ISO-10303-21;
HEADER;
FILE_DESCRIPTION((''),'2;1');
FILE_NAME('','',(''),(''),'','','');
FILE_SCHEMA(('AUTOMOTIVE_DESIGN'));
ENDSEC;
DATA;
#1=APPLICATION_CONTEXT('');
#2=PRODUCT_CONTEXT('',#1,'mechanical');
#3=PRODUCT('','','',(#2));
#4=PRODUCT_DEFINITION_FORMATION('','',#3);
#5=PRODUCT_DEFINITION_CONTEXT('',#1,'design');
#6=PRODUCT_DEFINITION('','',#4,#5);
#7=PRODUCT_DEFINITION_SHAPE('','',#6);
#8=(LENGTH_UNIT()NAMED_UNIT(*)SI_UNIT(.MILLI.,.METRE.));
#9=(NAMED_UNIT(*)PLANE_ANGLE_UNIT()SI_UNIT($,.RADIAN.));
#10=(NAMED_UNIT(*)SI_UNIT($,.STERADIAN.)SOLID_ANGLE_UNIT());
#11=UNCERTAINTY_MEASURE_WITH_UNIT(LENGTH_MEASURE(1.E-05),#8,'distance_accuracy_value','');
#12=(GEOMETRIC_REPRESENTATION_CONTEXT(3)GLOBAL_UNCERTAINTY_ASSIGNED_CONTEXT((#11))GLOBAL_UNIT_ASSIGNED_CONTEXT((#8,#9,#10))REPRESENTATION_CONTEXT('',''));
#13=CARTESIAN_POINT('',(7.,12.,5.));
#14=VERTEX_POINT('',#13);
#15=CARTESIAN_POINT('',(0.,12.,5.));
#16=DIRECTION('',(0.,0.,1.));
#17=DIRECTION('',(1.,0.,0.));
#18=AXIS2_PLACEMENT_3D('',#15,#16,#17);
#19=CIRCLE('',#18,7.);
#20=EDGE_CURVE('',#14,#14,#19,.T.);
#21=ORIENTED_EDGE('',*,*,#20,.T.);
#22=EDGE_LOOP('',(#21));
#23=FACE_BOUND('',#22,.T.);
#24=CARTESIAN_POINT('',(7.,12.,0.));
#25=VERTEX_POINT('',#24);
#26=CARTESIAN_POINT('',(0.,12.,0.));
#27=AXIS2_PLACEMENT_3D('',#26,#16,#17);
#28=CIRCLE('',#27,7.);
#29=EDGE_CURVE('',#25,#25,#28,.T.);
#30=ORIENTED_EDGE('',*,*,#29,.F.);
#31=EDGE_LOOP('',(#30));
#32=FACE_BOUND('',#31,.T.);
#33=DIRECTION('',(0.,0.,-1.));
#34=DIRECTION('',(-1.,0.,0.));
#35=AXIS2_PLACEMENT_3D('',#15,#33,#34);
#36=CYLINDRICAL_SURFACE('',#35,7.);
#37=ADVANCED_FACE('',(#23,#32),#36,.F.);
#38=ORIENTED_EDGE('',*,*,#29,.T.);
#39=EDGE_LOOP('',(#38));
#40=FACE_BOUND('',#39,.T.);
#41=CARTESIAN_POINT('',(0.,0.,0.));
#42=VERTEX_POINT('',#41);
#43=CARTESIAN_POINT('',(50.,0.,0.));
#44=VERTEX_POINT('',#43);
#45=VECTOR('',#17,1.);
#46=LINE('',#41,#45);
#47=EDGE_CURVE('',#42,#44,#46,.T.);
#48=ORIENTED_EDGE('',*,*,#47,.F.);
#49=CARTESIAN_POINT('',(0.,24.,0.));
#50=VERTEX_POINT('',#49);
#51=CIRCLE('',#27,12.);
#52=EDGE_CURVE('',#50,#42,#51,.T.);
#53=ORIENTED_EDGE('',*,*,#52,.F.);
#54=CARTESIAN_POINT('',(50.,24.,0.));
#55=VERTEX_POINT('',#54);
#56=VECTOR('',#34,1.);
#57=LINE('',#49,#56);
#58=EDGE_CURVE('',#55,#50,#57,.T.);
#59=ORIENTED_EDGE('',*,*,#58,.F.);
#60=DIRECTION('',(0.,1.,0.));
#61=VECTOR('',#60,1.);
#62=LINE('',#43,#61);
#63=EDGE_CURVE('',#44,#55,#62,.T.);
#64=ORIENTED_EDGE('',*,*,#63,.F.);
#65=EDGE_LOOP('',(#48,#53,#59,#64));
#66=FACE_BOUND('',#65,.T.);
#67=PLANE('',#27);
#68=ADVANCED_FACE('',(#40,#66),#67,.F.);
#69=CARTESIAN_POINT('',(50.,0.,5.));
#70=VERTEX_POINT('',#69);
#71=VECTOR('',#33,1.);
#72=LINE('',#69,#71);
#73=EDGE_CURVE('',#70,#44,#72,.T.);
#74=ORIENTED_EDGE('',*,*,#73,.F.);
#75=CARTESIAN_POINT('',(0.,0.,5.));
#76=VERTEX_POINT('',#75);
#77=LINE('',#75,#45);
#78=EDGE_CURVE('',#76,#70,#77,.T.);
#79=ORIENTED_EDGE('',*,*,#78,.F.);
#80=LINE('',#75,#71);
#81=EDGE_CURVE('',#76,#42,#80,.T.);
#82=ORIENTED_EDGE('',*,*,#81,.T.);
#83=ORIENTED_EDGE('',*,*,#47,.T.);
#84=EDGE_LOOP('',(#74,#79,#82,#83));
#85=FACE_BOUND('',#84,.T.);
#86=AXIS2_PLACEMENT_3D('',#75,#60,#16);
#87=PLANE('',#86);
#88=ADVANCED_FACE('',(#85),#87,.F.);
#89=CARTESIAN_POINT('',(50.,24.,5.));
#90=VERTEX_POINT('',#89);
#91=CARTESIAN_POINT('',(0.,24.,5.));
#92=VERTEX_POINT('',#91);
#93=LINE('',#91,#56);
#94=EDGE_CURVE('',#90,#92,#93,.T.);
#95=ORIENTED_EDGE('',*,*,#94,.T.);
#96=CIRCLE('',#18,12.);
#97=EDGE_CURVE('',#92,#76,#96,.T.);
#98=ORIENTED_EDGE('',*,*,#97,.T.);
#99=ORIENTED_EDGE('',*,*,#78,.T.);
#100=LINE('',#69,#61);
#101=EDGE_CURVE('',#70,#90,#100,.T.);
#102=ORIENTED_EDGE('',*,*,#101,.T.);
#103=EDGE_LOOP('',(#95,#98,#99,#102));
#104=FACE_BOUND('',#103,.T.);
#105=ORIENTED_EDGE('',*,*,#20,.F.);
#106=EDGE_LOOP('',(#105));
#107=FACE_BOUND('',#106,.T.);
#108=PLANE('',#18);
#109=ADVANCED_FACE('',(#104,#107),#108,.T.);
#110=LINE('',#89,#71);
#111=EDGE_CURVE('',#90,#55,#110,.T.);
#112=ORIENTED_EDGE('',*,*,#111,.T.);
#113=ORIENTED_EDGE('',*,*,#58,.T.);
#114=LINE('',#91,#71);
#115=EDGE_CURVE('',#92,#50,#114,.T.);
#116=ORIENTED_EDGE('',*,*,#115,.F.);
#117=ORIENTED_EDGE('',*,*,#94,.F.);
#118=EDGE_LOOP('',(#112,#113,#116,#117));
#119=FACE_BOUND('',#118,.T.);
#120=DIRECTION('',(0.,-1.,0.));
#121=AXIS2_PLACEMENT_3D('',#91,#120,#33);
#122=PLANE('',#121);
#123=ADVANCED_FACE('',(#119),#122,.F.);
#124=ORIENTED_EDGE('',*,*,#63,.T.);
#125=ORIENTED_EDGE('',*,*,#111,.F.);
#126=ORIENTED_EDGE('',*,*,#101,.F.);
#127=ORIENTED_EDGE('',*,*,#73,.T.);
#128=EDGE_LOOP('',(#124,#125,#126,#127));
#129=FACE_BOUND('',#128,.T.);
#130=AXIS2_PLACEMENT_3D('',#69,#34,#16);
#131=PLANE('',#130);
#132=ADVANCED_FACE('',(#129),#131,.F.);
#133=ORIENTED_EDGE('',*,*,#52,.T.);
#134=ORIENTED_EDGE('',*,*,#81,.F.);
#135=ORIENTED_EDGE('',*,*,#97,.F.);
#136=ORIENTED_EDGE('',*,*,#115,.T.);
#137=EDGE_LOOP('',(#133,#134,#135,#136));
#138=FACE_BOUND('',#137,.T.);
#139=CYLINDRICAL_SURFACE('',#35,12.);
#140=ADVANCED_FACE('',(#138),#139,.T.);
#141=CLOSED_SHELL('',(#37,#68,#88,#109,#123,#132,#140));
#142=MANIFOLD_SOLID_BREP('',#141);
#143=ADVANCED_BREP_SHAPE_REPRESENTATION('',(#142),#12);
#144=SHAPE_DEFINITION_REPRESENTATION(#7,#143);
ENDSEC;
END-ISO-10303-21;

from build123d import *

# Parameters (mm, degrees)
SZKIC1_R                    = 7
DODANIE_WYCI_GNI_CIE1_DEPTH = 5


with BuildPart() as part:
    # Szkic1 → Dodanie-wyciągnięcie1 (new body)
    with BuildSketch(Plane.XY):
        with BuildLine():
            Line((0, 0), (50, 0))
            Line((50, 0), (50, 24))
            Line((50, 24), (0, 24))
            ThreePointArc((0, 24), (-12, 12), (0, 0))
        make_face()
        with Locations((0, 12)):
            Circle(SZKIC1_R, mode=Mode.SUBTRACT)
    extrude(amount=DODANIE_WYCI_GNI_CIE1_DEPTH)


solid = part.part
